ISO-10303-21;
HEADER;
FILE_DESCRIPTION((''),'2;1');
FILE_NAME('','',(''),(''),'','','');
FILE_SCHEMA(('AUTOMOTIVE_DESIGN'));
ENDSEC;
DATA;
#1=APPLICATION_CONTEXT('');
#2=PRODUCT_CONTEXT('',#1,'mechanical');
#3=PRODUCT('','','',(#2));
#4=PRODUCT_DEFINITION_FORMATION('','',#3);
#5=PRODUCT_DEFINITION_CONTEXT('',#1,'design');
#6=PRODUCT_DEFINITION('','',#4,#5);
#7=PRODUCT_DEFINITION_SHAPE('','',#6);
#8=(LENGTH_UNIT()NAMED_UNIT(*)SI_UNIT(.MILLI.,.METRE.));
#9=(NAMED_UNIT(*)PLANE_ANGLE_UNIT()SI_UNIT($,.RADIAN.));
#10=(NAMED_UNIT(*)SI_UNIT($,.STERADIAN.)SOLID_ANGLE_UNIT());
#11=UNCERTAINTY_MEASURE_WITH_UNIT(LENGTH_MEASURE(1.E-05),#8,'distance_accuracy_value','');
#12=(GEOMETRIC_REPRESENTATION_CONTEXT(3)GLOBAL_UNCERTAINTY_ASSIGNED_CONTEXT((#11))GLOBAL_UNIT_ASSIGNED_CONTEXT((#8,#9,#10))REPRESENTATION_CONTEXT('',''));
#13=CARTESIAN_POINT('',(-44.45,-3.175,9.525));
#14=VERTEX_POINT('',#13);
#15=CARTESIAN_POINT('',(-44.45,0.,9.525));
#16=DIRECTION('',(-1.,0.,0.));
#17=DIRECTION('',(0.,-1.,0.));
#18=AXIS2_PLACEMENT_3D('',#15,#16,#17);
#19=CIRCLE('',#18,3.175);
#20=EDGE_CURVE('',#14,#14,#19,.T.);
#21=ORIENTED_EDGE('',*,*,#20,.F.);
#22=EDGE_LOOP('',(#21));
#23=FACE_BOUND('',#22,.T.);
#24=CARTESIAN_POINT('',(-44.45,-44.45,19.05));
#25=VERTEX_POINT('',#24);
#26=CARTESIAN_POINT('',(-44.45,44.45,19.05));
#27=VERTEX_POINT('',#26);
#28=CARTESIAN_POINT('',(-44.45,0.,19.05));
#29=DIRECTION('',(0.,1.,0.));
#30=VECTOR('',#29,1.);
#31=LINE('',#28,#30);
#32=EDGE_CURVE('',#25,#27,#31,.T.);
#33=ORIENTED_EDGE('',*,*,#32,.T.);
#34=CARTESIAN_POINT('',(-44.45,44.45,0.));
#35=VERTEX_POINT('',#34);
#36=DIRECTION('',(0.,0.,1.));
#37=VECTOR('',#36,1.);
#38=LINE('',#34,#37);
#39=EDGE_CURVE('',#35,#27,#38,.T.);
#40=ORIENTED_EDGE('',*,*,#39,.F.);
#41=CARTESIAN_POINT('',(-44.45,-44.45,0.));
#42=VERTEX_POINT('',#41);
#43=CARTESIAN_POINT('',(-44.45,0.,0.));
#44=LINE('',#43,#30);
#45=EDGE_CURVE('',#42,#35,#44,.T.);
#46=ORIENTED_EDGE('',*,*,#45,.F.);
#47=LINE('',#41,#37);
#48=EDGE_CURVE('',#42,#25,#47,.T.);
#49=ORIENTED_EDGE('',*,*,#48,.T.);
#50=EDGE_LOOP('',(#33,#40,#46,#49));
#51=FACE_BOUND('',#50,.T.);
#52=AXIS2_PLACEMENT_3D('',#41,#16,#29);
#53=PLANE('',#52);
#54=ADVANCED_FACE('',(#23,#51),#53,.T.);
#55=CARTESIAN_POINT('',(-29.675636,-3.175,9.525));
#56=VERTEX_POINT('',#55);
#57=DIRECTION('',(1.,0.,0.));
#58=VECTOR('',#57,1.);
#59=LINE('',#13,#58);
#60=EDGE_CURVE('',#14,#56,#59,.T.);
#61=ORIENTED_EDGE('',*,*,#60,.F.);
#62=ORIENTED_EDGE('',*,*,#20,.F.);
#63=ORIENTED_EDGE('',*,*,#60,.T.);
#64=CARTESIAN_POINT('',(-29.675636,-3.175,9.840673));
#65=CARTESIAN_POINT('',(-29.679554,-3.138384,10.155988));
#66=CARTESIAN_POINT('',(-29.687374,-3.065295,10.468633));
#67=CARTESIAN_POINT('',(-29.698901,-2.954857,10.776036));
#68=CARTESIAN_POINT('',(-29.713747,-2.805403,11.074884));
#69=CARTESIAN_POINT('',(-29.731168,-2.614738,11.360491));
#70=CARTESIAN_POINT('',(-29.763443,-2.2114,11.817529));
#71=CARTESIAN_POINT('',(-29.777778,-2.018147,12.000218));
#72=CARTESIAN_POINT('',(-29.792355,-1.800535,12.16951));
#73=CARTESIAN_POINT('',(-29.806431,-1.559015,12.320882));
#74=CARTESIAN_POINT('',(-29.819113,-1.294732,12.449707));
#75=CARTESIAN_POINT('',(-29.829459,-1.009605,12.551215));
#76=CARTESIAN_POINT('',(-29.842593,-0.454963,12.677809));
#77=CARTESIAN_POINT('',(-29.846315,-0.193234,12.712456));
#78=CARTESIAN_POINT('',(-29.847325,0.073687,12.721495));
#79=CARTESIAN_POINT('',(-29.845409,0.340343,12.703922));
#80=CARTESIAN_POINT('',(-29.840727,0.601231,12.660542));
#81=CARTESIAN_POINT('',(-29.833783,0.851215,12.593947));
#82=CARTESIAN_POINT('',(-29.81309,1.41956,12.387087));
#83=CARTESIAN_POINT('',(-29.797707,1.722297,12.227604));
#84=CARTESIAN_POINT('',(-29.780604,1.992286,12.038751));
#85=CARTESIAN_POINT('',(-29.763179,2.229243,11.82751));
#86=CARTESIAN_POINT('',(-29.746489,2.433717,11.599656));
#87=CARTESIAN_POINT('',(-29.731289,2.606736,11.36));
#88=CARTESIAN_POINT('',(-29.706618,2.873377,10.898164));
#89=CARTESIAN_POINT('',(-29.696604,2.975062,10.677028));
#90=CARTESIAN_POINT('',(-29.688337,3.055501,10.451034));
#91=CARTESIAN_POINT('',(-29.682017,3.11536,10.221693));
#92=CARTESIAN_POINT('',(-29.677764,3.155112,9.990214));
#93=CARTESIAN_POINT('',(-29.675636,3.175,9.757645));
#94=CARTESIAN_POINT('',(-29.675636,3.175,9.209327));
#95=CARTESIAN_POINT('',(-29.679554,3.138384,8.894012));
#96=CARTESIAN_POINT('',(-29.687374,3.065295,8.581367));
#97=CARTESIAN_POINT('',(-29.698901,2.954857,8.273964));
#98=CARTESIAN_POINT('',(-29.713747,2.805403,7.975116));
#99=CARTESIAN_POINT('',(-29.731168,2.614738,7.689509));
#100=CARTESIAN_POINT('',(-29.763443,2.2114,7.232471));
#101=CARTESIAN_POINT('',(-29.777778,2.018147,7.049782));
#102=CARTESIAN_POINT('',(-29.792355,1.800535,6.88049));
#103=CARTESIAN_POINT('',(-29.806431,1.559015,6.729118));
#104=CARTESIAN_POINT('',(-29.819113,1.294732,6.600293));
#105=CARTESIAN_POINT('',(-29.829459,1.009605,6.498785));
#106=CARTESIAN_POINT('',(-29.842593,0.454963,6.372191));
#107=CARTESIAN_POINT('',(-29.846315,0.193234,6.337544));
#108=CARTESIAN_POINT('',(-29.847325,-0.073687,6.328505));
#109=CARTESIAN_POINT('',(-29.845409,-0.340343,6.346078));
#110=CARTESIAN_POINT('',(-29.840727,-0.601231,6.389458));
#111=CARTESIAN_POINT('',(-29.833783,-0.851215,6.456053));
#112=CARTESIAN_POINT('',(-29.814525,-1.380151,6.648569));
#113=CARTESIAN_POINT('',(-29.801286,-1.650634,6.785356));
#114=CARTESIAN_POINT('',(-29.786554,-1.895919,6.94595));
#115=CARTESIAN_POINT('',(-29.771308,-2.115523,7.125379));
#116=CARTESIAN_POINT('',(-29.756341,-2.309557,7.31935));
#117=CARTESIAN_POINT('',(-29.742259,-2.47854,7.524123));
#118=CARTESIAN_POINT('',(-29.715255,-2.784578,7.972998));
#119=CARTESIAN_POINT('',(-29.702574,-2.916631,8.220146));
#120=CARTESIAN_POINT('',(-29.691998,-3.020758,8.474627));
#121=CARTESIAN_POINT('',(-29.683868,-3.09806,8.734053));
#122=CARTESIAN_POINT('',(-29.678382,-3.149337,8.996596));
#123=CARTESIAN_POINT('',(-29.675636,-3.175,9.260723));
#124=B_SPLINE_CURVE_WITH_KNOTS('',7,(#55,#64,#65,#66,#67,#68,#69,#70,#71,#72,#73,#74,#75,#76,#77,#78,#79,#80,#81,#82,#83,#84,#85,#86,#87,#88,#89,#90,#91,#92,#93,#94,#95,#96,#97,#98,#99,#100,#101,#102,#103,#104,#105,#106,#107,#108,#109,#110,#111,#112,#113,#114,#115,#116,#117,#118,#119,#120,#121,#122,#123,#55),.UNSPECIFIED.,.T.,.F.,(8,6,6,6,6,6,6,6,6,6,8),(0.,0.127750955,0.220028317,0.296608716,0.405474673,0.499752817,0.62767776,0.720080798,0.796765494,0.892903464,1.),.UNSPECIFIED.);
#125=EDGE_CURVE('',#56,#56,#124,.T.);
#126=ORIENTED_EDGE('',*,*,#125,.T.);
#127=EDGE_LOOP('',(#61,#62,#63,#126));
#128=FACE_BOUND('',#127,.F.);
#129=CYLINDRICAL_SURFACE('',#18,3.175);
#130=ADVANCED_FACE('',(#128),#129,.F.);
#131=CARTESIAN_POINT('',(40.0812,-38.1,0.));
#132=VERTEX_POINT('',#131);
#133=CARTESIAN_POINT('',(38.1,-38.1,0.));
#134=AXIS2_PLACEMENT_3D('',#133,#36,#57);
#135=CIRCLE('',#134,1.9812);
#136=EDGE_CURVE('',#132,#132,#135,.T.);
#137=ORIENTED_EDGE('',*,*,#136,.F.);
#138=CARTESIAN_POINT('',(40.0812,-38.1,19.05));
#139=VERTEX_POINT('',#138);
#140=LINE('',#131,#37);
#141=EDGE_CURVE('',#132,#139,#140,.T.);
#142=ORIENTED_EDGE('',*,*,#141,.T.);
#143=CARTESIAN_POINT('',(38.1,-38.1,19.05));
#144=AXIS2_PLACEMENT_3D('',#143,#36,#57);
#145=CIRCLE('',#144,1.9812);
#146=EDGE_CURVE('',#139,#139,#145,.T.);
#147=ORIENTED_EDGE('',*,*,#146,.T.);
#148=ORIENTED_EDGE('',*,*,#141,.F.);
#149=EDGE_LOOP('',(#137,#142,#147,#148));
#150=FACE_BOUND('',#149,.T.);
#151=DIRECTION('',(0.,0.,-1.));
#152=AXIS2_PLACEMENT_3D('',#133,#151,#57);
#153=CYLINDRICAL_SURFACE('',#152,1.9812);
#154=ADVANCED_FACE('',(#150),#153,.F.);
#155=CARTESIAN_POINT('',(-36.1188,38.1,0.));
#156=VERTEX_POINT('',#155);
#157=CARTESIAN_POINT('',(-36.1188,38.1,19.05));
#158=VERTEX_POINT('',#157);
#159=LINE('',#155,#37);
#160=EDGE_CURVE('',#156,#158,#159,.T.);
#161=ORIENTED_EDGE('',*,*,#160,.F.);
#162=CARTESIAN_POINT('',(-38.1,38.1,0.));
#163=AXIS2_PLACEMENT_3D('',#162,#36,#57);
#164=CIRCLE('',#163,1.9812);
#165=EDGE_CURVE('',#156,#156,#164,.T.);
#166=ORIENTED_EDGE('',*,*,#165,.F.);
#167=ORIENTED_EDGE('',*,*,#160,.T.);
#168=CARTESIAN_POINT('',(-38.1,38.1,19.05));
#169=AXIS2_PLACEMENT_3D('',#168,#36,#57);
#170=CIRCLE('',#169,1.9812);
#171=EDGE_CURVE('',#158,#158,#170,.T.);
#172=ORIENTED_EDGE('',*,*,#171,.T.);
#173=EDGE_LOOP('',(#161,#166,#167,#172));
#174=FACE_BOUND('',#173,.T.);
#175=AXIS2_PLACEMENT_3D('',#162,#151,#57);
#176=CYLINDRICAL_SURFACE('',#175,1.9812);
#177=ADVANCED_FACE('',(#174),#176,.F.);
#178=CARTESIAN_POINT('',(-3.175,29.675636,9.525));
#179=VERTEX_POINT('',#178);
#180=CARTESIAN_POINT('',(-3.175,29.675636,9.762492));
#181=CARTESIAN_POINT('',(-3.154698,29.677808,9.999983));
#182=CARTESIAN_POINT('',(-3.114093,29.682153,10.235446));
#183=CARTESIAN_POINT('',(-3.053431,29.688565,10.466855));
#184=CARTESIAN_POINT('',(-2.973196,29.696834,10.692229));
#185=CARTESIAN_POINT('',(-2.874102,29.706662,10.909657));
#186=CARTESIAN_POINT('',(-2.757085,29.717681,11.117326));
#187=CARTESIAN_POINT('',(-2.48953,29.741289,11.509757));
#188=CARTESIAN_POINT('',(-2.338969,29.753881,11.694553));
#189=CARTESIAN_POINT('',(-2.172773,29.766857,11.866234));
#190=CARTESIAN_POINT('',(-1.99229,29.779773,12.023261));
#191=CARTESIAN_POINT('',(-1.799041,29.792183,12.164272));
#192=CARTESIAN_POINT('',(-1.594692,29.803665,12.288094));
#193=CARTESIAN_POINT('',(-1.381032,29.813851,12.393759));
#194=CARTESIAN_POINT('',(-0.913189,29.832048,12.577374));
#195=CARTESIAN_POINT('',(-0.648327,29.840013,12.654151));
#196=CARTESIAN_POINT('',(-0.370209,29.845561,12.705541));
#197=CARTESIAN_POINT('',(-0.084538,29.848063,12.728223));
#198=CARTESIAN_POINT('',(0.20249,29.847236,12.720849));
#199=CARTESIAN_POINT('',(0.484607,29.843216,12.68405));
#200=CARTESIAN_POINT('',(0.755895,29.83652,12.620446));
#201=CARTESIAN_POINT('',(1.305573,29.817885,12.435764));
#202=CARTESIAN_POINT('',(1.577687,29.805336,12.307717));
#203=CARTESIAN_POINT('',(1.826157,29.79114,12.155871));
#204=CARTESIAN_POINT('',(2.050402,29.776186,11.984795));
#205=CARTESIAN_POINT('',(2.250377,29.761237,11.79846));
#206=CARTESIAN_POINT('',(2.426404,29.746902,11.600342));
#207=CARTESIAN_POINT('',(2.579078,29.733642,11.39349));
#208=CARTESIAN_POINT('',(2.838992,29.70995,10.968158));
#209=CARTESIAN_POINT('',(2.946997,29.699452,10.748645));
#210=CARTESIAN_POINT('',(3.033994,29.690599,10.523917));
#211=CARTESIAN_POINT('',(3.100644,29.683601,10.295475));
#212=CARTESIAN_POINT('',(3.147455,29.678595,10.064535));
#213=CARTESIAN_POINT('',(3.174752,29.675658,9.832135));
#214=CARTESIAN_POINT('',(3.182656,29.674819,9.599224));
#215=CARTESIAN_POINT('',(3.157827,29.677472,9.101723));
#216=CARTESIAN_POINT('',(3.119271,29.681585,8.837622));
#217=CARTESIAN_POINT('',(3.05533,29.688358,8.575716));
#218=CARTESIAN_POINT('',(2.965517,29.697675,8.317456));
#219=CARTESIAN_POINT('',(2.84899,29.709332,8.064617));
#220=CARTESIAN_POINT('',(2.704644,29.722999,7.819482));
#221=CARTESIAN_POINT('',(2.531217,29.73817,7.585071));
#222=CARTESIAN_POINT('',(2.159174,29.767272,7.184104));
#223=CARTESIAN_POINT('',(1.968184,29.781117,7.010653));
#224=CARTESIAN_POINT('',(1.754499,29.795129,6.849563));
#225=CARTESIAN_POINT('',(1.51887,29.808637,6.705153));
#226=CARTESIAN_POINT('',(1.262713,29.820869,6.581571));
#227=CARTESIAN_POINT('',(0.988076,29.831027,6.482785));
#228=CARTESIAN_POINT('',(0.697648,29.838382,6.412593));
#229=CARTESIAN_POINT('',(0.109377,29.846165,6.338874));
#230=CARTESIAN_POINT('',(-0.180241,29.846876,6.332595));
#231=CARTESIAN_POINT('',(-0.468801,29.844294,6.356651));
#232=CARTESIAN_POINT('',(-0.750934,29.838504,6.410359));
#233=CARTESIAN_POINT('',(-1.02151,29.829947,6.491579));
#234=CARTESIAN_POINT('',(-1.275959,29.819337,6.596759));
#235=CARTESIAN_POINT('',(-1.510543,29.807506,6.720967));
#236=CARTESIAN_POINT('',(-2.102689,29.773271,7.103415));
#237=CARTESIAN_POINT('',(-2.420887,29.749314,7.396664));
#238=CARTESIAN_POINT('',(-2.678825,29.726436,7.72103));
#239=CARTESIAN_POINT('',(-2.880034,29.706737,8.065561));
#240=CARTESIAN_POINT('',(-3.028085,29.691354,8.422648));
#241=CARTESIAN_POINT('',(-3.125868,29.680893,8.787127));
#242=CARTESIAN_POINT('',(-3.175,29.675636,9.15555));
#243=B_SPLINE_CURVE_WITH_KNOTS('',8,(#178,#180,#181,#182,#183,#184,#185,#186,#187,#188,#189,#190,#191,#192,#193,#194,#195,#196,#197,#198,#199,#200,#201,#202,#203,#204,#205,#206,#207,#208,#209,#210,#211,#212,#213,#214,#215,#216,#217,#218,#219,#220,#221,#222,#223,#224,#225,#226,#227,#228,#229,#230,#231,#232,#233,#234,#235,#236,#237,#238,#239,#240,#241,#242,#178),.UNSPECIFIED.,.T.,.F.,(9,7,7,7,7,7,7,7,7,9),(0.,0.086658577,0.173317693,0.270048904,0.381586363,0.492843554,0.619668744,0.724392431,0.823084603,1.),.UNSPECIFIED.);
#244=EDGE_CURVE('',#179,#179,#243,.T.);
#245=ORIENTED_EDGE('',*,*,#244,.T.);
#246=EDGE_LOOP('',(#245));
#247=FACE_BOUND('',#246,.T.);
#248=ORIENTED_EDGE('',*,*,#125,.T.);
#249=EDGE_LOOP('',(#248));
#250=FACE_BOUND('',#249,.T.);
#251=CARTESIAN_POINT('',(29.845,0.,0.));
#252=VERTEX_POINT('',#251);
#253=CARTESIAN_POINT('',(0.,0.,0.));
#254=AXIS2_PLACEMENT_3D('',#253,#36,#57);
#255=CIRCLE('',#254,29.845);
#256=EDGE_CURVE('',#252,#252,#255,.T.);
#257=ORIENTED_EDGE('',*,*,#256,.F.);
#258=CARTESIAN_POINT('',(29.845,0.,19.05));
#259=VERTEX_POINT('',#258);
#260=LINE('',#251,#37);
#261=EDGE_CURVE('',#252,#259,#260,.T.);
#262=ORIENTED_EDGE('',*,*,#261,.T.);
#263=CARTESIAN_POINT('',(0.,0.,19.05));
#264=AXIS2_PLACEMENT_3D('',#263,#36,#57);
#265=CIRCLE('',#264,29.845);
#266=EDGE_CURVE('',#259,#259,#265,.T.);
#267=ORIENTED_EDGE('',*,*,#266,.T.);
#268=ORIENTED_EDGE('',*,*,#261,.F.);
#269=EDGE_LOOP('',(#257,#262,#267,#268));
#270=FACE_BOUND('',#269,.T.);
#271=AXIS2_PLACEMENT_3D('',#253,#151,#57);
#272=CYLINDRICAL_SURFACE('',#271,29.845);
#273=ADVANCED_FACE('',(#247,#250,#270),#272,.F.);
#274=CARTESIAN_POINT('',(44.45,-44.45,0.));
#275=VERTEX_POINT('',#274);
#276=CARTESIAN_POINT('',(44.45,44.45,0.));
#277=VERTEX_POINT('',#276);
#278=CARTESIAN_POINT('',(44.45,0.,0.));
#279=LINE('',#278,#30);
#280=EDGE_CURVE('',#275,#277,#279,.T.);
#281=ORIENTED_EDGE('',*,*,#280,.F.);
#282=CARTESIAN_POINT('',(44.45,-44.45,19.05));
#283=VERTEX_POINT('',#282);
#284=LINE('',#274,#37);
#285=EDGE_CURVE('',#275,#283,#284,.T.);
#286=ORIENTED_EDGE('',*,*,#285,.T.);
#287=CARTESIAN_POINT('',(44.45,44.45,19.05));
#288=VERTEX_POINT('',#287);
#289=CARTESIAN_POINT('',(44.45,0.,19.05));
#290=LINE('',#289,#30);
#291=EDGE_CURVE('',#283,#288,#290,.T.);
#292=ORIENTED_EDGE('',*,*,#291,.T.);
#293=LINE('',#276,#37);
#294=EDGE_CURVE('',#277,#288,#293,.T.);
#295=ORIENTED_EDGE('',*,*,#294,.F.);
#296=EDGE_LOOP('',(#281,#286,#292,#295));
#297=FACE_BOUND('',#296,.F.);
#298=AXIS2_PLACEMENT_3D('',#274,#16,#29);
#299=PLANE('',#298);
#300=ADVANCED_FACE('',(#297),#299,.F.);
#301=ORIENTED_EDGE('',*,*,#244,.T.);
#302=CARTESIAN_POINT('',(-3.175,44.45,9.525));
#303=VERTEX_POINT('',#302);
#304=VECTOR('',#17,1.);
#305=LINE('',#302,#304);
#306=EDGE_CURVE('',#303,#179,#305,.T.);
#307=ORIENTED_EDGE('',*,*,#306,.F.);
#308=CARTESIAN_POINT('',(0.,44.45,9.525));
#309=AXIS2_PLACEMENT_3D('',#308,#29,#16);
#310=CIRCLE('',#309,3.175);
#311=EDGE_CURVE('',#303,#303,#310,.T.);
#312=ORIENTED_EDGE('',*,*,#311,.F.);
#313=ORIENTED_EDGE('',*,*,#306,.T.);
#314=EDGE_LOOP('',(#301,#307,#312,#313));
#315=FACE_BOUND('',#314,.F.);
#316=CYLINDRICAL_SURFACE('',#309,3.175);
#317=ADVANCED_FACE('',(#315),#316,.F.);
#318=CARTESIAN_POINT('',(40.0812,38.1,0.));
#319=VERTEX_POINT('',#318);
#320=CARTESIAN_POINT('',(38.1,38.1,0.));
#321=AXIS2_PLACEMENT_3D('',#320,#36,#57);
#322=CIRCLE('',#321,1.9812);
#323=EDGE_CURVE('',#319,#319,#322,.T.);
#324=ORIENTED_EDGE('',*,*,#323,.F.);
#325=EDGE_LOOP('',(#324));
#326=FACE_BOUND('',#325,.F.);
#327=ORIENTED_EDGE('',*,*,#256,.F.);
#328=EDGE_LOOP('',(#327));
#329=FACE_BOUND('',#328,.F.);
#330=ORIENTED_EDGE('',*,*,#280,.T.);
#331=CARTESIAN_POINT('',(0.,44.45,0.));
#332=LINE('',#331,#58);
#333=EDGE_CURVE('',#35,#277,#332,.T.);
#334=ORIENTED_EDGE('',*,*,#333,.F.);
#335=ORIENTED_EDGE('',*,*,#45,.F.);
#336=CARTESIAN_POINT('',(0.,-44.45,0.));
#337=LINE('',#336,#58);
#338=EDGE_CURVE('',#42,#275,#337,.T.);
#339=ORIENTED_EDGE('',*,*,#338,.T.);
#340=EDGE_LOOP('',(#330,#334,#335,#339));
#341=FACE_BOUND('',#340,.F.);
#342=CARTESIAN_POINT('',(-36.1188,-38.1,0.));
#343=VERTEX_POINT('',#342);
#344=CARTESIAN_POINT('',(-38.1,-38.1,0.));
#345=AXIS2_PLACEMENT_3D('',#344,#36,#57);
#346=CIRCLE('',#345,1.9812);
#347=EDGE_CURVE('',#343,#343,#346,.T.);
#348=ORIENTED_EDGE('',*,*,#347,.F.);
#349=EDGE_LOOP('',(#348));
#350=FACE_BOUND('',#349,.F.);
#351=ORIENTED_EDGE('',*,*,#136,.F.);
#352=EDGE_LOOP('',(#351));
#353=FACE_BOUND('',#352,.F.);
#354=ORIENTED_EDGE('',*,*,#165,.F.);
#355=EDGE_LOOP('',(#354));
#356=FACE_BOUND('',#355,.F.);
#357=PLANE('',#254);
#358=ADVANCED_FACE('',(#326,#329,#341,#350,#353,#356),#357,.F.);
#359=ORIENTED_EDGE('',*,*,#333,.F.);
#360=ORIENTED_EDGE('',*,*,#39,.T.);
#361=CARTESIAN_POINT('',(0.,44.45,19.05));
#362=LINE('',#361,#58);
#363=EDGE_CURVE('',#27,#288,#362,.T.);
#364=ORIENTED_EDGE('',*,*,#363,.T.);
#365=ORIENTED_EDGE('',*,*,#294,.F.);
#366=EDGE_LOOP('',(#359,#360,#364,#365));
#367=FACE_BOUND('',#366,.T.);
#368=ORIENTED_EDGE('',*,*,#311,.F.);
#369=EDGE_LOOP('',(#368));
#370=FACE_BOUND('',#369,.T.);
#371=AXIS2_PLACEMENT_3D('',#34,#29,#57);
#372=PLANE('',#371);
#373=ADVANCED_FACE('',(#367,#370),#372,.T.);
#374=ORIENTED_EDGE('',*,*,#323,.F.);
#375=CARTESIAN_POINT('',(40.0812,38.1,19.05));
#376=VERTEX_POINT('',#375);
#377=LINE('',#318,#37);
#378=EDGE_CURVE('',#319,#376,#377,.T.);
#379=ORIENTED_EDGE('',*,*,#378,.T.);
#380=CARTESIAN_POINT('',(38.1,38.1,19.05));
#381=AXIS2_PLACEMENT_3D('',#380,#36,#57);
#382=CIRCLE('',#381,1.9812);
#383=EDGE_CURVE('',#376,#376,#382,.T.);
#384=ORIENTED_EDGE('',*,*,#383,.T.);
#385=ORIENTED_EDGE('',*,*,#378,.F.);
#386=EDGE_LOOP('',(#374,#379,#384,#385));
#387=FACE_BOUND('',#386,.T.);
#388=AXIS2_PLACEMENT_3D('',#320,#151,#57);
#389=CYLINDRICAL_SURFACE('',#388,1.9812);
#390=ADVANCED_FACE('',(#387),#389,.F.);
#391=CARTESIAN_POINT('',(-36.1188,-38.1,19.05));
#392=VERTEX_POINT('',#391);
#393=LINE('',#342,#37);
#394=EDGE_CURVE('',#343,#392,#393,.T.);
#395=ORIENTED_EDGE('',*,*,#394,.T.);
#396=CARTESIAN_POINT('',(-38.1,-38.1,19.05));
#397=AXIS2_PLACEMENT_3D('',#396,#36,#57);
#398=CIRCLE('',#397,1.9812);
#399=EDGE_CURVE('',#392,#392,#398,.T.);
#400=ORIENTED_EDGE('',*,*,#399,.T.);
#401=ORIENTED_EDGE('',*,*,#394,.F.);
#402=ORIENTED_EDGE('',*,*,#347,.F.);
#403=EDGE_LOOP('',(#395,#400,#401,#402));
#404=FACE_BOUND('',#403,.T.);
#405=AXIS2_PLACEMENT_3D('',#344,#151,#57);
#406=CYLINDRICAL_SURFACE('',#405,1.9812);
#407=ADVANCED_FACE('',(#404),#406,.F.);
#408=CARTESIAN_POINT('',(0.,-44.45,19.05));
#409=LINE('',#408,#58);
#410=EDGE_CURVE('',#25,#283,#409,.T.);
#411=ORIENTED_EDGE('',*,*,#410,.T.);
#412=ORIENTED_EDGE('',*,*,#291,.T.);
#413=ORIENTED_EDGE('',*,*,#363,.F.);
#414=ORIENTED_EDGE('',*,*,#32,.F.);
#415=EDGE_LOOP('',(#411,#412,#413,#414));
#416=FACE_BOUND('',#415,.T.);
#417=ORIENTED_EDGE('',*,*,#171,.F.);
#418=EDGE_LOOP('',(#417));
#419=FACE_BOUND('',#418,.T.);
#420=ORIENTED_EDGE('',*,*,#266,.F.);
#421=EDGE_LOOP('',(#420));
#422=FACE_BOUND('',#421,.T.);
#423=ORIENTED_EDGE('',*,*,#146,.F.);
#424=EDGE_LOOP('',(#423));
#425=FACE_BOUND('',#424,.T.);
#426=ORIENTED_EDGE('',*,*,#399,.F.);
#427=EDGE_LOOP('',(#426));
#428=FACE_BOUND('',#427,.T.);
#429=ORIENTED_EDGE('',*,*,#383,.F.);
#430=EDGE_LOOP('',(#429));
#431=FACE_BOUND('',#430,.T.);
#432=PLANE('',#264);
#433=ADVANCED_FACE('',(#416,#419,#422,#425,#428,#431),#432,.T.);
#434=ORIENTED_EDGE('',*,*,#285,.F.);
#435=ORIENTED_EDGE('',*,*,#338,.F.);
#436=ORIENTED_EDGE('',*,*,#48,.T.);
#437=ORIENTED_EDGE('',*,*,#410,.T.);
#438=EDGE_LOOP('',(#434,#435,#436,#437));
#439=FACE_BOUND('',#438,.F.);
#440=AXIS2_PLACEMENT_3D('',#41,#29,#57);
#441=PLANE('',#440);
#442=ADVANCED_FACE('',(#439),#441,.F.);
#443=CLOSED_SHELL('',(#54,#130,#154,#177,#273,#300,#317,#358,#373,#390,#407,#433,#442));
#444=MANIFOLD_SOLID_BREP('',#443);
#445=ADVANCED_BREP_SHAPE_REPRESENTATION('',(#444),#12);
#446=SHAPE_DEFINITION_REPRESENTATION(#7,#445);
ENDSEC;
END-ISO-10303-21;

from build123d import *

# Parameters (mm, degrees)
F0_W     = 88.9
F0_H     = 88.9
F0_R     = 1.9812
F0_R_2   = 29.845
F1_DEPTH = 19.05
F2_R     = 3.175
F3_DEPTH = 25.4
F4_R     = 3.175
F5_DEPTH = 25.4


with BuildPart() as f1:
    # F0 (on Top) → F1 (new body)
    with BuildSketch(Plane.XY):
        Rectangle(F0_W, F0_H)
        with Locations((-38.1, -38.1)):
            Circle(F0_R, mode=Mode.SUBTRACT)
        with Locations((38.1, -38.1)):
            Circle(F0_R, mode=Mode.SUBTRACT)
        with Locations((-38.1, 38.1)):
            Circle(F0_R, mode=Mode.SUBTRACT)
        Circle(F0_R_2, mode=Mode.SUBTRACT)
        with Locations((38.1, 38.1)):
            Circle(F0_R, mode=Mode.SUBTRACT)
    extrude(amount=F1_DEPTH)

    # F2 (on face) → F3 (cut)
    with BuildSketch(Plane(origin=(0, 44.45, 0), x_dir=(-1, 0, 0), z_dir=(0, 1, 0))):
        with Locations((0, 9.525)):
            Circle(F2_R)
    extrude(amount=-F3_DEPTH, mode=Mode.SUBTRACT)

    # F4 (on face) → F5 (cut)
    with BuildSketch(Plane(origin=(-44.45, 0, 0), x_dir=(0, -1, 0), z_dir=(-1, 0, 0))):
        with Locations((0, 9.525)):
            Circle(F4_R)
    extrude(amount=-F5_DEPTH, mode=Mode.SUBTRACT)


solid = f1.part
